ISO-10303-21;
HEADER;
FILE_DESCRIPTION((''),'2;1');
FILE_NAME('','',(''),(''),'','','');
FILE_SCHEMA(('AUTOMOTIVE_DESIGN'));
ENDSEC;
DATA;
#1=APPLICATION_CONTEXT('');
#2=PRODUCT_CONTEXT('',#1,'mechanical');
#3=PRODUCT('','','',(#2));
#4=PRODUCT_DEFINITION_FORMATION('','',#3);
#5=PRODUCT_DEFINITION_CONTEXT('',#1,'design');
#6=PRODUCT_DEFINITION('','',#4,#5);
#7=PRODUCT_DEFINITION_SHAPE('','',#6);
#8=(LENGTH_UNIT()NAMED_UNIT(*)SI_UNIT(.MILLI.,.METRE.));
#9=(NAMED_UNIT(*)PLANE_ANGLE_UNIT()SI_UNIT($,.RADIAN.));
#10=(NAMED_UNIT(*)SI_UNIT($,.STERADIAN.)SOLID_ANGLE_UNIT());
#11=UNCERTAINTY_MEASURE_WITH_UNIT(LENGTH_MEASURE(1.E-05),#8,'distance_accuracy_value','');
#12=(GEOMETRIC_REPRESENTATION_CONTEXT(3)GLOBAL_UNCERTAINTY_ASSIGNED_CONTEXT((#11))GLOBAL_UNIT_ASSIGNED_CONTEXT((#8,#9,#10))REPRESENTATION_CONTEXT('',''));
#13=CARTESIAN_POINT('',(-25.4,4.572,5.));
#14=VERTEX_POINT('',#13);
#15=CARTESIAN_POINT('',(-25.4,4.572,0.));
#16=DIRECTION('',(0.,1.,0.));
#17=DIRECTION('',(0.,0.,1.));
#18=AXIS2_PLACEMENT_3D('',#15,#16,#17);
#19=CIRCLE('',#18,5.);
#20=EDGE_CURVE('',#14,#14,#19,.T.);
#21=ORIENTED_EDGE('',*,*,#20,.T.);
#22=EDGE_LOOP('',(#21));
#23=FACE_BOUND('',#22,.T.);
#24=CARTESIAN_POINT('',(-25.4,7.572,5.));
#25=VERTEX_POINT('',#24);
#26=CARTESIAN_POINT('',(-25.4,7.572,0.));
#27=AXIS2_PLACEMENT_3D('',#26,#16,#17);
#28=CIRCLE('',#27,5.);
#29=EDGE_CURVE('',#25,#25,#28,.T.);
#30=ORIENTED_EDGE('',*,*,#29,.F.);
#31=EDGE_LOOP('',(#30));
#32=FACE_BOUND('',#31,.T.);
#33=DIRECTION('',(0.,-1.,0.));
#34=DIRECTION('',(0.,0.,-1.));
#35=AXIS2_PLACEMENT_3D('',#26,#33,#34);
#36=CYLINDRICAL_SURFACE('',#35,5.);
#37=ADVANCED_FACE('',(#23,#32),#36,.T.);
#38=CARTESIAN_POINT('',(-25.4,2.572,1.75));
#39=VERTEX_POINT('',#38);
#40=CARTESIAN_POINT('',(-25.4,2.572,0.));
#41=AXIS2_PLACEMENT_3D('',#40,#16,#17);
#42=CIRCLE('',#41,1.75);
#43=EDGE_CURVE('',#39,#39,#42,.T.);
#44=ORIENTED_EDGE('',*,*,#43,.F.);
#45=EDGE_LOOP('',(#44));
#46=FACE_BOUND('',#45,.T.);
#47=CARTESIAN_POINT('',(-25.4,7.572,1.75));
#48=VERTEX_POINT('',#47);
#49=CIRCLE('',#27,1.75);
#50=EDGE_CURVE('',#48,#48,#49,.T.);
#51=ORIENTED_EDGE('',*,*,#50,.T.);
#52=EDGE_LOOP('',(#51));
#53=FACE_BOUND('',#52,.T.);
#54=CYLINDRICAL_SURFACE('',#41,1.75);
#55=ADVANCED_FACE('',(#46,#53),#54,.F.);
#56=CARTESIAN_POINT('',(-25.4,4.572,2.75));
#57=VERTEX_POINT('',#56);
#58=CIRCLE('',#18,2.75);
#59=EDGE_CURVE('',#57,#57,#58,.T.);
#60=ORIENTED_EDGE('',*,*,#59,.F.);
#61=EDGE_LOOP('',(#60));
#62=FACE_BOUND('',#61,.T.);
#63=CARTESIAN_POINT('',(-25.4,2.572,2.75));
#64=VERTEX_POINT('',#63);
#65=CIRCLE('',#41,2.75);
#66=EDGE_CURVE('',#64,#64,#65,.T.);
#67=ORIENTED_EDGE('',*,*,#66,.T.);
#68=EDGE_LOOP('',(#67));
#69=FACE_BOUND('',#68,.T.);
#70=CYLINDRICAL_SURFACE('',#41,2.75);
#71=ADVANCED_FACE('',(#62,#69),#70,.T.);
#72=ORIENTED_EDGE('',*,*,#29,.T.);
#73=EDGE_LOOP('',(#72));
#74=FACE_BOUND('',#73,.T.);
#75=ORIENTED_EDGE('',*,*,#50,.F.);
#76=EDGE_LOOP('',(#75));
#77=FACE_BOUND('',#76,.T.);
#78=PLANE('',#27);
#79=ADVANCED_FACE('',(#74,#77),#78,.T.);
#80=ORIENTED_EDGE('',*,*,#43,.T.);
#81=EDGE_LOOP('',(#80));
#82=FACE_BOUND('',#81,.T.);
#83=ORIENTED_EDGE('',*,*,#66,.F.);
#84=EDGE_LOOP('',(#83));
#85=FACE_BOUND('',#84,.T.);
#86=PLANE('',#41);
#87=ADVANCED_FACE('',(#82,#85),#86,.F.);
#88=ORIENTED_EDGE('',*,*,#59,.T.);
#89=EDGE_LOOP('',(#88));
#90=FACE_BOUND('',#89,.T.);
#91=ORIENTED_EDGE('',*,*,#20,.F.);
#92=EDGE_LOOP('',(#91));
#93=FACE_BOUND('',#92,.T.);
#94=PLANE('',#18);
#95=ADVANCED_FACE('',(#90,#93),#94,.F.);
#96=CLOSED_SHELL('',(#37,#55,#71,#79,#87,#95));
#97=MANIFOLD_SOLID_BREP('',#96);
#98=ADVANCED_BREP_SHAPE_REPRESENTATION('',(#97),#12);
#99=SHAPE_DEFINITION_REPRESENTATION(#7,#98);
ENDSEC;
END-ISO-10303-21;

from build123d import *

# Parameters (mm, degrees)
SKETCH1_R           = 57.15
SKETCH1_R_2         = 1.397
SKETCH1_R_3         = 3.175
BOSS_EXTRUDE1_DEPTH = 4.572
SKETCH2_R           = 2.75
SKETCH2_R_2         = 1.75
BOSS_EXTRUDE2_DEPTH = 2
SKETCH3_R           = 5
SKETCH3_R_2         = 1.75
BOSS_EXTRUDE3_DEPTH = 3


with BuildPart() as part:
    # Sketch1 → Boss-Extrude1 (new body)
    with BuildSketch(Plane(origin=(0, 0, 0), x_dir=(1, 0, 0), z_dir=(0, 1, 0))):
        Circle(SKETCH1_R)
        with Locations((0, 6.35)):
            Circle(SKETCH1_R_2, mode=Mode.SUBTRACT)
        with Locations((0, 25.4)):
            Circle(SKETCH1_R_3, mode=Mode.SUBTRACT)
        with Locations((0, 50.8)):
            Circle(SKETCH1_R_3, mode=Mode.SUBTRACT)
        with Locations((25.4, 0)):
            Circle(SKETCH1_R_3, mode=Mode.SUBTRACT)
        with Locations((0, -25.4)):
            Circle(SKETCH1_R_3, mode=Mode.SUBTRACT)
        with Locations((-25.4, 0)):
            Circle(SKETCH1_R_3, mode=Mode.SUBTRACT)
        with Locations((6.35, 0)):
            Circle(SKETCH1_R_2, mode=Mode.SUBTRACT)
        with Locations((0, -6.35)):
            Circle(SKETCH1_R_2, mode=Mode.SUBTRACT)
        with Locations((-6.35, 0)):
            Circle(SKETCH1_R_2, mode=Mode.SUBTRACT)
        with Locations((35.921024484, 35.921024484)):
            Circle(SKETCH1_R_3, mode=Mode.SUBTRACT)
        with Locations((50.8, 0)):
            Circle(SKETCH1_R_3, mode=Mode.SUBTRACT)
        with Locations((35.921024484, -35.921024484)):
            Circle(SKETCH1_R_3, mode=Mode.SUBTRACT)
        with Locations((0, -50.8)):
            Circle(SKETCH1_R_3, mode=Mode.SUBTRACT)
        with Locations((-35.921024484, -35.921024484)):
            Circle(SKETCH1_R_3, mode=Mode.SUBTRACT)
        with Locations((-50.8, 0)):
            Circle(SKETCH1_R_3, mode=Mode.SUBTRACT)
        with Locations((-35.921024484, 35.921024484)):
            Circle(SKETCH1_R_3, mode=Mode.SUBTRACT)
    extrude(amount=BOSS_EXTRUDE1_DEPTH)


with BuildPart() as body_2:
    # Sketch2 → Boss-Extrude2 (new body)
    with BuildSketch(Plane(origin=(0, 4.572, 0), x_dir=(1, 0, 0), z_dir=(0, 1, 0))):
        with Locations((-25.4, 0)):
            Circle(SKETCH2_R)
        with Locations((-25.4, 0)):
            Circle(SKETCH2_R_2, mode=Mode.SUBTRACT)
    extrude(amount=-BOSS_EXTRUDE2_DEPTH)

    # Sketch3 → Boss-Extrude3 (add)
    with BuildSketch(Plane(origin=(0, 4.572, 0), x_dir=(1, 0, 0), z_dir=(0, 1, 0))):
        with Locations((-25.4, 0)):
            Circle(SKETCH3_R)
        with Locations((-25.4, 0)):
            Circle(SKETCH3_R_2, mode=Mode.SUBTRACT)
    extrude(amount=BOSS_EXTRUDE3_DEPTH)


solid = body_2.part
